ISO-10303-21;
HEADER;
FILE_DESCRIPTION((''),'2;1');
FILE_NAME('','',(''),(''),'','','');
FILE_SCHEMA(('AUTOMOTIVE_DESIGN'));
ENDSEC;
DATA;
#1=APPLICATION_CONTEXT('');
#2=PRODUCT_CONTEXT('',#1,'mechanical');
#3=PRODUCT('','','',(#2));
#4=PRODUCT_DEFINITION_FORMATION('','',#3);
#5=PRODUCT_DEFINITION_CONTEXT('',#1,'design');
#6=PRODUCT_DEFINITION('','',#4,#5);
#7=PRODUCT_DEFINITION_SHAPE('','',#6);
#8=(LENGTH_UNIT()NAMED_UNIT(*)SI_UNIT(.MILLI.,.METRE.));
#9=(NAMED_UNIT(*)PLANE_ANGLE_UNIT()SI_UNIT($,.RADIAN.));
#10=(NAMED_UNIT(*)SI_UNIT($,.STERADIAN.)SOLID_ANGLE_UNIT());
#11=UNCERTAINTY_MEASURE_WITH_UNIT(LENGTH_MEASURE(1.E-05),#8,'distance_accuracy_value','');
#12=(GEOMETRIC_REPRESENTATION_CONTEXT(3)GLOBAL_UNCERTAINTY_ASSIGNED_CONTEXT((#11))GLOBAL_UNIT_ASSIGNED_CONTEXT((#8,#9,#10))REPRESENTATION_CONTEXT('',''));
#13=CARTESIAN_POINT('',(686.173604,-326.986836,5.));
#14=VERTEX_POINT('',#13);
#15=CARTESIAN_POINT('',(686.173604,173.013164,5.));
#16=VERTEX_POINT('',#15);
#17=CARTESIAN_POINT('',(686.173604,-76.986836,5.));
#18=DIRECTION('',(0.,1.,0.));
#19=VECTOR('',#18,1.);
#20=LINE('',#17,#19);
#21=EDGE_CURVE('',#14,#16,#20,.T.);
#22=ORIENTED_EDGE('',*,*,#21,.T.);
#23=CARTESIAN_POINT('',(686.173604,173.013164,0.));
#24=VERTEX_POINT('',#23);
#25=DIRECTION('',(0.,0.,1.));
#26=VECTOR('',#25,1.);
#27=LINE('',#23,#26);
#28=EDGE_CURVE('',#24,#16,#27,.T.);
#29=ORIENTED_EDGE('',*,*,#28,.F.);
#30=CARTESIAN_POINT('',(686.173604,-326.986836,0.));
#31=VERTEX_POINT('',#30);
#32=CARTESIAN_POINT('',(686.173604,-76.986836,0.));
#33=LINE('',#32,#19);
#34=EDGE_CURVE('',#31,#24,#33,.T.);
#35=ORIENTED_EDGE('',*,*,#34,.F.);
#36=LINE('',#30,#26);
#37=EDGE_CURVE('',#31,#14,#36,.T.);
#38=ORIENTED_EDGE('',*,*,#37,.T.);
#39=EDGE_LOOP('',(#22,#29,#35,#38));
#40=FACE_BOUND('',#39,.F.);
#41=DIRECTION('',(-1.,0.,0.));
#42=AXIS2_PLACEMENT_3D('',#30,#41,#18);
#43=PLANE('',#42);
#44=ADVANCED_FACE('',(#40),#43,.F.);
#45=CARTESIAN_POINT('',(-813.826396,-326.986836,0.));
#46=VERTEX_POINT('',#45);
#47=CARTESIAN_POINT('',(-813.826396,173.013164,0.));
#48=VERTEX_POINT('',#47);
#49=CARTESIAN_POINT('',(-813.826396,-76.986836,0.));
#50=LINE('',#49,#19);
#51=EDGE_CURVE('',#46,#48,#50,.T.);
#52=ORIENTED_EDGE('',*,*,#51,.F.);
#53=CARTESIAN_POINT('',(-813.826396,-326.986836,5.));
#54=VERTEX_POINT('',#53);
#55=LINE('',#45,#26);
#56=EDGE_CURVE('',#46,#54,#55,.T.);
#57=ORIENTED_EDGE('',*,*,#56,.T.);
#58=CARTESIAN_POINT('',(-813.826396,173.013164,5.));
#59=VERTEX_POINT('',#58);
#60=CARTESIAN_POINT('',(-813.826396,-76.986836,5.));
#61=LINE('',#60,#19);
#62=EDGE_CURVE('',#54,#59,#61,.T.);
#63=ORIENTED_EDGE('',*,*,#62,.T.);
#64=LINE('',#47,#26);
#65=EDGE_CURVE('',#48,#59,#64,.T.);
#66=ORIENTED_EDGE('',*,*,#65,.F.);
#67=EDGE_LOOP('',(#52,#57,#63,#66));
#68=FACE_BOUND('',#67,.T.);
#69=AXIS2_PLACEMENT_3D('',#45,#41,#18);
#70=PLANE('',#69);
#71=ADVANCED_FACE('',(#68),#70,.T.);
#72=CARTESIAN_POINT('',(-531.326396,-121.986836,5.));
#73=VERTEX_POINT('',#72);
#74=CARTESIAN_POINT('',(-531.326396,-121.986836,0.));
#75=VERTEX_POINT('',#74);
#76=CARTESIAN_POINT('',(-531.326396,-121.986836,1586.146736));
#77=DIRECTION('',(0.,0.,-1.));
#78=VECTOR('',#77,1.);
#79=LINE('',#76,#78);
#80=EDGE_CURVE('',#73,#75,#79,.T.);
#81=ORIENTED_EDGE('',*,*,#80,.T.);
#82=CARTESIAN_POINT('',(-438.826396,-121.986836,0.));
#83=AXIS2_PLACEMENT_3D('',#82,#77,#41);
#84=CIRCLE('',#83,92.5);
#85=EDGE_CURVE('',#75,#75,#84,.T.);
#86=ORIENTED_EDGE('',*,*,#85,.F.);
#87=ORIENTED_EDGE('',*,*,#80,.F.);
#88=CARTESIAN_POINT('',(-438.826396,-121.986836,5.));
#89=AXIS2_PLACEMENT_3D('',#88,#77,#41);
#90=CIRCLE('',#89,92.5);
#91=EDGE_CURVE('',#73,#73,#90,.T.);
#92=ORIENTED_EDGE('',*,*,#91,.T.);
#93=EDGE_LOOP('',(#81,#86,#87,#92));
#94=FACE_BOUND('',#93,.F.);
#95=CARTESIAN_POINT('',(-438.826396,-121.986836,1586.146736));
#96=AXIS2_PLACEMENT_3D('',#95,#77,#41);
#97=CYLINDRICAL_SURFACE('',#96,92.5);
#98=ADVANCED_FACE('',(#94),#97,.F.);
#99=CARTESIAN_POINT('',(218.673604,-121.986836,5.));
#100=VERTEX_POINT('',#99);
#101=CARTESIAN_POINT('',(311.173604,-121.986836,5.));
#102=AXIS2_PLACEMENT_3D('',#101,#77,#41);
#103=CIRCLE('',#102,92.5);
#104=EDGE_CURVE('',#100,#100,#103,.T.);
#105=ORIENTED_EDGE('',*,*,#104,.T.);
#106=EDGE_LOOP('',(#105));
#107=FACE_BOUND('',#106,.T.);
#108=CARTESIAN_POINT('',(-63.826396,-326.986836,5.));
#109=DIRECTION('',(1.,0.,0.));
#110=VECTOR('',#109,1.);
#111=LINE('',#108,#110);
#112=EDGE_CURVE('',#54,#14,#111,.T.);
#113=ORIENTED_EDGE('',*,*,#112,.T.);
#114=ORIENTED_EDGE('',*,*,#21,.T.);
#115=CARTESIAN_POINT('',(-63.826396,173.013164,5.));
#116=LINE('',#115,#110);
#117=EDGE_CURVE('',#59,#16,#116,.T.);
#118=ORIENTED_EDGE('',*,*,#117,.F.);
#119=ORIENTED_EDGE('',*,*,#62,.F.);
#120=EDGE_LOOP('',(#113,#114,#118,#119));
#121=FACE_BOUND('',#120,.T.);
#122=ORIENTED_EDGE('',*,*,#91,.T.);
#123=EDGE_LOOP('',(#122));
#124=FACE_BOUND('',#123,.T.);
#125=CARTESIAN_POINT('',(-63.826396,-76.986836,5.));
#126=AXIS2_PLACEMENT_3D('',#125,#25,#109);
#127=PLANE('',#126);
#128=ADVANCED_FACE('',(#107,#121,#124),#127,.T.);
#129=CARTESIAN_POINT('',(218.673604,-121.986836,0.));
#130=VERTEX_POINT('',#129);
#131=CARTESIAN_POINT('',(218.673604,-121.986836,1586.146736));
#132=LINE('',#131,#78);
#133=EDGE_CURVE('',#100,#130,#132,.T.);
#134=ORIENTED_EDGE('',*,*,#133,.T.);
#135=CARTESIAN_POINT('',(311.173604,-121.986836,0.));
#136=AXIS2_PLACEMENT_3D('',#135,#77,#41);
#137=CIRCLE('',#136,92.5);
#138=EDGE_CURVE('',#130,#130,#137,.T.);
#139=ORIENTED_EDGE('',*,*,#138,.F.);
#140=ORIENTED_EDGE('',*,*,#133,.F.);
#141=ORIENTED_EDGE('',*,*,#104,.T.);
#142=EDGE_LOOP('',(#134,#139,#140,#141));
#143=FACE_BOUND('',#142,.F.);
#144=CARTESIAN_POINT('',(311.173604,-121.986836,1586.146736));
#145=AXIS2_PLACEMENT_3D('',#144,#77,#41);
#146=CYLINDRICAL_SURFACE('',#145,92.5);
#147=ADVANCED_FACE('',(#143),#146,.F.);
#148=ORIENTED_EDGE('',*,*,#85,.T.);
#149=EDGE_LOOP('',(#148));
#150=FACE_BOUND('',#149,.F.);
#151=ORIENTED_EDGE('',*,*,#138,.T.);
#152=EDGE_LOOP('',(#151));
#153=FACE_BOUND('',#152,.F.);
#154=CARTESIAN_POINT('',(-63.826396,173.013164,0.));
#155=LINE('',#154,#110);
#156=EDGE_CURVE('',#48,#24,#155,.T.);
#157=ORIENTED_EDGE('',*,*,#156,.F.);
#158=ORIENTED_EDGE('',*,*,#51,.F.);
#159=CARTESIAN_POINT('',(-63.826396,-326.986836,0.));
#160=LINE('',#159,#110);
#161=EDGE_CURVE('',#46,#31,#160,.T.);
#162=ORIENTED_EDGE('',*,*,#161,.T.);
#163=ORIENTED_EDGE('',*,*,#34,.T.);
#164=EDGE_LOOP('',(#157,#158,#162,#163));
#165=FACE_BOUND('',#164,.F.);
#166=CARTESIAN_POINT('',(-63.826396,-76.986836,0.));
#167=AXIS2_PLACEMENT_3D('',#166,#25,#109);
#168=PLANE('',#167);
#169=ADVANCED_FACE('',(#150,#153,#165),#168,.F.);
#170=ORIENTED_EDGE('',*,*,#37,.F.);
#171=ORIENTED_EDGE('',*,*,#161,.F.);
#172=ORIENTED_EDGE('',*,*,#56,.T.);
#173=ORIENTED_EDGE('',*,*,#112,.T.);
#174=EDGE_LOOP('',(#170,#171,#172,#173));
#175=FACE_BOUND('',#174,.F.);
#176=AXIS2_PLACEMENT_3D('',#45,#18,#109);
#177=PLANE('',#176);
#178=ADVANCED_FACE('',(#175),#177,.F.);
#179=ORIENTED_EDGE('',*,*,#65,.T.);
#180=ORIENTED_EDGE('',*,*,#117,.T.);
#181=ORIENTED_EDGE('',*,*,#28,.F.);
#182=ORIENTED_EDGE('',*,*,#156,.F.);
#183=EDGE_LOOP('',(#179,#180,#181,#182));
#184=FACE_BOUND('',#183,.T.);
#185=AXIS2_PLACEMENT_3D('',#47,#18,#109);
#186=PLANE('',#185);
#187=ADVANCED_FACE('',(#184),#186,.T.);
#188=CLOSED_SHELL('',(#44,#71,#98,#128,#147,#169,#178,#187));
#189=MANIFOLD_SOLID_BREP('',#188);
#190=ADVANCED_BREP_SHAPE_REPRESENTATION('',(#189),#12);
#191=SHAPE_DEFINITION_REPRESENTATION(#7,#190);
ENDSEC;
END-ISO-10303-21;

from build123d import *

# Parameters (mm, degrees)
F0_W     = 1500
F0_H     = 500
F1_DEPTH = 5
F3_D     = 185


with BuildPart() as f1:
    # F0 (on Top) → F1 (new body)
    with BuildSketch(Plane.XY):
        with Locations((-63.826396, -76.986836)):
            Rectangle(F0_W, F0_H)
    extrude(amount=F1_DEPTH)

    # F3 (through all)
    with Locations(Plane.XY.offset(5)):
        with Locations((-438.826396, -121.986836), (311.173604, -121.986836)):
            Hole(F3_D / 2)


solid = f1.part
